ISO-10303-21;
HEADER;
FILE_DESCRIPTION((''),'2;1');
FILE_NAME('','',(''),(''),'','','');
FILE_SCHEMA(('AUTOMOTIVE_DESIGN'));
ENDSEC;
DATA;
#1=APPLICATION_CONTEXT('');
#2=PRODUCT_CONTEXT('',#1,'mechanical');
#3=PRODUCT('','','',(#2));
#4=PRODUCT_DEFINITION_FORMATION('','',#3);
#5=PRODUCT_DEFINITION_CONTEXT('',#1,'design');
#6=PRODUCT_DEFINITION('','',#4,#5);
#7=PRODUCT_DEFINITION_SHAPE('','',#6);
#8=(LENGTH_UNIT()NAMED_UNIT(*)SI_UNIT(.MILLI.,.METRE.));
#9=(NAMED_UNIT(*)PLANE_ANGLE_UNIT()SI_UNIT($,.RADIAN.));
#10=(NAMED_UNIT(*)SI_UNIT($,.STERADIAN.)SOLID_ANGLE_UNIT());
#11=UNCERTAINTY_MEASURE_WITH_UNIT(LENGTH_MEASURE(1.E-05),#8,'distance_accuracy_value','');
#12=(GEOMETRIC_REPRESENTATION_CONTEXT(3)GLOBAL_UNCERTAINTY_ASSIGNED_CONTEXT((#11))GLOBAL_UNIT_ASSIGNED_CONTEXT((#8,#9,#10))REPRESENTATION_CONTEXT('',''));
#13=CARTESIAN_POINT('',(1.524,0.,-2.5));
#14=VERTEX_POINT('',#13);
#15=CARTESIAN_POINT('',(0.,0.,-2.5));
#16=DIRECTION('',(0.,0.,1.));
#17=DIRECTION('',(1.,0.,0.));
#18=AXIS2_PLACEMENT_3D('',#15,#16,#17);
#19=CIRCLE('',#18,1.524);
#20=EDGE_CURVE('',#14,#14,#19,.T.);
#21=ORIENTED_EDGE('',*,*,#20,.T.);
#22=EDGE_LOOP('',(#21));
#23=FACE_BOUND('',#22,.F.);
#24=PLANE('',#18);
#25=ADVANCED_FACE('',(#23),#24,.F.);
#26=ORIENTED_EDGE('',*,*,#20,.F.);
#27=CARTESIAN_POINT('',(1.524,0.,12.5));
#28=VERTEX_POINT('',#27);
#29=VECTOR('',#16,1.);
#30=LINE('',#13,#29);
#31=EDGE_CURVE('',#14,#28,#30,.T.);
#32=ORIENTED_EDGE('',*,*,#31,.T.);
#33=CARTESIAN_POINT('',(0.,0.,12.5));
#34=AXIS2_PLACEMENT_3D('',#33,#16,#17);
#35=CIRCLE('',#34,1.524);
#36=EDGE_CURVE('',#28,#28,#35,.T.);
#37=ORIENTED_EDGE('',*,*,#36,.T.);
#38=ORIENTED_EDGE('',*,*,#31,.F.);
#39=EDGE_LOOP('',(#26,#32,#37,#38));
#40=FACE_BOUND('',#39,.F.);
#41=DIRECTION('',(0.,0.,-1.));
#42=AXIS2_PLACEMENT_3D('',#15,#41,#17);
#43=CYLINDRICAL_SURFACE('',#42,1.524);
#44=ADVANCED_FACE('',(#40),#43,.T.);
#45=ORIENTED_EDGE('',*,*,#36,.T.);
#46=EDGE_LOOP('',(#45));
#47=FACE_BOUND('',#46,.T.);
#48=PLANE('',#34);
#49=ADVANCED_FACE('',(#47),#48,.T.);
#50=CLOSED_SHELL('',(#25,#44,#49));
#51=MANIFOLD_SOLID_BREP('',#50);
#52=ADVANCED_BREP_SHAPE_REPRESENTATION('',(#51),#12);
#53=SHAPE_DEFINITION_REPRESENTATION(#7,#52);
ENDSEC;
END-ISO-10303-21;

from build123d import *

# Parameters (mm, degrees)
CYLINDER_R     = 1.524
CYLINDER_DEPTH = 15


with BuildPart() as part:
    # Cylinder → Cylinder (new body)
    with BuildSketch(Plane.XY.offset(-2.5)):
        Circle(CYLINDER_R)
    extrude(amount=CYLINDER_DEPTH)


solid = part.part
